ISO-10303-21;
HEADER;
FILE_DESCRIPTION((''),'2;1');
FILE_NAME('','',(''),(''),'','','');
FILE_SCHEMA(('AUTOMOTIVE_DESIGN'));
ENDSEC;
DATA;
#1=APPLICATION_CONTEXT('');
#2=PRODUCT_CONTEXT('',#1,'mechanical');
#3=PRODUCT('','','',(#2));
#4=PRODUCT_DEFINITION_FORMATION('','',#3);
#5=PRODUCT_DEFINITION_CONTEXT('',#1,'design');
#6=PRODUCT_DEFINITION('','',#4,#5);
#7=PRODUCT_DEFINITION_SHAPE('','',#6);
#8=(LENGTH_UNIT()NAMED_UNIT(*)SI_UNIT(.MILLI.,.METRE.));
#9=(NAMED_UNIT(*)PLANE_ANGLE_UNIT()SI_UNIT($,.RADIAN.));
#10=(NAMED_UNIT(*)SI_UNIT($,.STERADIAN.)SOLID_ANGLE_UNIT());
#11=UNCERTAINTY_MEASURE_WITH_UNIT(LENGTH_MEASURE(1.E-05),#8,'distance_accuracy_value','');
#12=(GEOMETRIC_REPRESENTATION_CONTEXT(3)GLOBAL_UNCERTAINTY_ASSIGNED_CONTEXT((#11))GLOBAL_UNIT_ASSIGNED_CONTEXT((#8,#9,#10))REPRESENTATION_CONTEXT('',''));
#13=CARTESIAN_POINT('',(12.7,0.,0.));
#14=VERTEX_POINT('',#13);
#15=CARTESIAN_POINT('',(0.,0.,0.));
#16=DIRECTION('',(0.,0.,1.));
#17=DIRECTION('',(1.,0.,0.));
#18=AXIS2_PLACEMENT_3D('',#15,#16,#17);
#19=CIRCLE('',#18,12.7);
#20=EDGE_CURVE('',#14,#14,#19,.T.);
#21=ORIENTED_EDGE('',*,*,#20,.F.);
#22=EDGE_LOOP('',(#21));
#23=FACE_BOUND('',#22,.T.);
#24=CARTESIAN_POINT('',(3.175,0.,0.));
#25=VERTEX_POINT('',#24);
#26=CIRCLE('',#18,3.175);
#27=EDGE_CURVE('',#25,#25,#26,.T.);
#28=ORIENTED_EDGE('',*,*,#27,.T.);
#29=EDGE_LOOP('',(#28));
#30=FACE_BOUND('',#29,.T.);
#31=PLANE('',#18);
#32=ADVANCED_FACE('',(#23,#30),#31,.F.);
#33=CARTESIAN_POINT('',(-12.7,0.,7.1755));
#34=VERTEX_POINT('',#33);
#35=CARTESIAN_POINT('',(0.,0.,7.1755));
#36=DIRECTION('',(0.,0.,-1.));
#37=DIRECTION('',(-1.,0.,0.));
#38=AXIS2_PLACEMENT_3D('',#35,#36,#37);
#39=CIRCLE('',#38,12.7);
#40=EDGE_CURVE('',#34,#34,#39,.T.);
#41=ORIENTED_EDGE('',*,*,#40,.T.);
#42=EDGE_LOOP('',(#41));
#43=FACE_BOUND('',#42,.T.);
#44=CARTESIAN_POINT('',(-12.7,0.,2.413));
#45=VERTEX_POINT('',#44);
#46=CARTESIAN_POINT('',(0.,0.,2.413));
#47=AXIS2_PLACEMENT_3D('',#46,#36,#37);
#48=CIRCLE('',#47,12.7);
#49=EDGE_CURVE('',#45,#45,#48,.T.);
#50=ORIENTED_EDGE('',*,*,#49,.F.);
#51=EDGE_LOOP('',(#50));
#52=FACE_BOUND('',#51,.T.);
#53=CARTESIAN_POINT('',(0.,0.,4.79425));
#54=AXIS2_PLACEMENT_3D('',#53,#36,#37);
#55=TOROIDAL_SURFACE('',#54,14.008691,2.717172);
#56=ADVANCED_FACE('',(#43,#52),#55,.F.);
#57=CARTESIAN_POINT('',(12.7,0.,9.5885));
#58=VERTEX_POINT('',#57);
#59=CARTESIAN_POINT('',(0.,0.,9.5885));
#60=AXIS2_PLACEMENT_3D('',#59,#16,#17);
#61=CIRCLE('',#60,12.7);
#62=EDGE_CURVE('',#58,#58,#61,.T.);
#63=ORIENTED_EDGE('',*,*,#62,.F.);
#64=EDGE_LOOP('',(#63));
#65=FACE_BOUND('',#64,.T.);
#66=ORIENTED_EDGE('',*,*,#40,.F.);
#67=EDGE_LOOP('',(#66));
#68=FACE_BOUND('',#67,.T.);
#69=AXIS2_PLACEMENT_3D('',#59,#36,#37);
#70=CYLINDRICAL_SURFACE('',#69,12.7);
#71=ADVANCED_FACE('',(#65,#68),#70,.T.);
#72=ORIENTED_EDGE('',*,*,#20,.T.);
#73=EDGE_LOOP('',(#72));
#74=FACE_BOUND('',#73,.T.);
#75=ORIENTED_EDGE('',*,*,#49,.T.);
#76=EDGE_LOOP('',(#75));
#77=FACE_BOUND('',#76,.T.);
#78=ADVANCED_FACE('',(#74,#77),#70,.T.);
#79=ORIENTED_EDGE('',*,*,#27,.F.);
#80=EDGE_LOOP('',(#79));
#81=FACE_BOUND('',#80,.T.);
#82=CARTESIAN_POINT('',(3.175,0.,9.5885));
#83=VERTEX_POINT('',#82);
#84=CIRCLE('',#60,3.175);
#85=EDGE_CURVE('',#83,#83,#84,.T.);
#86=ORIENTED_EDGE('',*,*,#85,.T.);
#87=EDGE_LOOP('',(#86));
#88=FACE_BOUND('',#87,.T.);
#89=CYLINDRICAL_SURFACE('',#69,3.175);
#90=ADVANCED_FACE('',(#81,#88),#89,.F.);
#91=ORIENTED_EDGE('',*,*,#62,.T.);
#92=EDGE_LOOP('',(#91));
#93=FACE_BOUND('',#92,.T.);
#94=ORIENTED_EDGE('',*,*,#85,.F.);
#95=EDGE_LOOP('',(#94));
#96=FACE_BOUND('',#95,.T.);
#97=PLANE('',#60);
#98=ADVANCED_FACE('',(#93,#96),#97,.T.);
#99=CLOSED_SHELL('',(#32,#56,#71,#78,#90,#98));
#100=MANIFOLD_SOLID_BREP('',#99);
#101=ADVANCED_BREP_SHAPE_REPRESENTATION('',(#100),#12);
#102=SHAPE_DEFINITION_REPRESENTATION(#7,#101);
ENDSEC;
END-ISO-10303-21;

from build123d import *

# Parameters (mm, degrees)
SKETCH1_R           = 12.7
SKETCH1_R_2         = 3.175
BOSS_EXTRUDE1_DEPTH = 9.5885


with BuildPart() as part:
    # Sketch1 → Boss-Extrude1 (new body)
    with BuildSketch(Plane.XY):
        Circle(SKETCH1_R)
        Circle(SKETCH1_R_2, mode=Mode.SUBTRACT)
    extrude(amount=BOSS_EXTRUDE1_DEPTH)

    # Sketch2 → Cut-Revolve1 (revolve, cut)
    with BuildSketch(Plane(origin=(0, 0, 0), x_dir=(0, 0, -1), z_dir=(1, 0, 0))):
        with BuildLine():
            Line((-2.413, 12.7), (-7.1755, 12.7))
            ThreePointArc((-7.1755, 12.7), (-4.79425, 11.291518836), (-2.413, 12.7))
        make_face()
    revolve(axis=Axis((0, 0, -0.631825), (0, 0, 1)), mode=Mode.SUBTRACT)


solid = part.part
